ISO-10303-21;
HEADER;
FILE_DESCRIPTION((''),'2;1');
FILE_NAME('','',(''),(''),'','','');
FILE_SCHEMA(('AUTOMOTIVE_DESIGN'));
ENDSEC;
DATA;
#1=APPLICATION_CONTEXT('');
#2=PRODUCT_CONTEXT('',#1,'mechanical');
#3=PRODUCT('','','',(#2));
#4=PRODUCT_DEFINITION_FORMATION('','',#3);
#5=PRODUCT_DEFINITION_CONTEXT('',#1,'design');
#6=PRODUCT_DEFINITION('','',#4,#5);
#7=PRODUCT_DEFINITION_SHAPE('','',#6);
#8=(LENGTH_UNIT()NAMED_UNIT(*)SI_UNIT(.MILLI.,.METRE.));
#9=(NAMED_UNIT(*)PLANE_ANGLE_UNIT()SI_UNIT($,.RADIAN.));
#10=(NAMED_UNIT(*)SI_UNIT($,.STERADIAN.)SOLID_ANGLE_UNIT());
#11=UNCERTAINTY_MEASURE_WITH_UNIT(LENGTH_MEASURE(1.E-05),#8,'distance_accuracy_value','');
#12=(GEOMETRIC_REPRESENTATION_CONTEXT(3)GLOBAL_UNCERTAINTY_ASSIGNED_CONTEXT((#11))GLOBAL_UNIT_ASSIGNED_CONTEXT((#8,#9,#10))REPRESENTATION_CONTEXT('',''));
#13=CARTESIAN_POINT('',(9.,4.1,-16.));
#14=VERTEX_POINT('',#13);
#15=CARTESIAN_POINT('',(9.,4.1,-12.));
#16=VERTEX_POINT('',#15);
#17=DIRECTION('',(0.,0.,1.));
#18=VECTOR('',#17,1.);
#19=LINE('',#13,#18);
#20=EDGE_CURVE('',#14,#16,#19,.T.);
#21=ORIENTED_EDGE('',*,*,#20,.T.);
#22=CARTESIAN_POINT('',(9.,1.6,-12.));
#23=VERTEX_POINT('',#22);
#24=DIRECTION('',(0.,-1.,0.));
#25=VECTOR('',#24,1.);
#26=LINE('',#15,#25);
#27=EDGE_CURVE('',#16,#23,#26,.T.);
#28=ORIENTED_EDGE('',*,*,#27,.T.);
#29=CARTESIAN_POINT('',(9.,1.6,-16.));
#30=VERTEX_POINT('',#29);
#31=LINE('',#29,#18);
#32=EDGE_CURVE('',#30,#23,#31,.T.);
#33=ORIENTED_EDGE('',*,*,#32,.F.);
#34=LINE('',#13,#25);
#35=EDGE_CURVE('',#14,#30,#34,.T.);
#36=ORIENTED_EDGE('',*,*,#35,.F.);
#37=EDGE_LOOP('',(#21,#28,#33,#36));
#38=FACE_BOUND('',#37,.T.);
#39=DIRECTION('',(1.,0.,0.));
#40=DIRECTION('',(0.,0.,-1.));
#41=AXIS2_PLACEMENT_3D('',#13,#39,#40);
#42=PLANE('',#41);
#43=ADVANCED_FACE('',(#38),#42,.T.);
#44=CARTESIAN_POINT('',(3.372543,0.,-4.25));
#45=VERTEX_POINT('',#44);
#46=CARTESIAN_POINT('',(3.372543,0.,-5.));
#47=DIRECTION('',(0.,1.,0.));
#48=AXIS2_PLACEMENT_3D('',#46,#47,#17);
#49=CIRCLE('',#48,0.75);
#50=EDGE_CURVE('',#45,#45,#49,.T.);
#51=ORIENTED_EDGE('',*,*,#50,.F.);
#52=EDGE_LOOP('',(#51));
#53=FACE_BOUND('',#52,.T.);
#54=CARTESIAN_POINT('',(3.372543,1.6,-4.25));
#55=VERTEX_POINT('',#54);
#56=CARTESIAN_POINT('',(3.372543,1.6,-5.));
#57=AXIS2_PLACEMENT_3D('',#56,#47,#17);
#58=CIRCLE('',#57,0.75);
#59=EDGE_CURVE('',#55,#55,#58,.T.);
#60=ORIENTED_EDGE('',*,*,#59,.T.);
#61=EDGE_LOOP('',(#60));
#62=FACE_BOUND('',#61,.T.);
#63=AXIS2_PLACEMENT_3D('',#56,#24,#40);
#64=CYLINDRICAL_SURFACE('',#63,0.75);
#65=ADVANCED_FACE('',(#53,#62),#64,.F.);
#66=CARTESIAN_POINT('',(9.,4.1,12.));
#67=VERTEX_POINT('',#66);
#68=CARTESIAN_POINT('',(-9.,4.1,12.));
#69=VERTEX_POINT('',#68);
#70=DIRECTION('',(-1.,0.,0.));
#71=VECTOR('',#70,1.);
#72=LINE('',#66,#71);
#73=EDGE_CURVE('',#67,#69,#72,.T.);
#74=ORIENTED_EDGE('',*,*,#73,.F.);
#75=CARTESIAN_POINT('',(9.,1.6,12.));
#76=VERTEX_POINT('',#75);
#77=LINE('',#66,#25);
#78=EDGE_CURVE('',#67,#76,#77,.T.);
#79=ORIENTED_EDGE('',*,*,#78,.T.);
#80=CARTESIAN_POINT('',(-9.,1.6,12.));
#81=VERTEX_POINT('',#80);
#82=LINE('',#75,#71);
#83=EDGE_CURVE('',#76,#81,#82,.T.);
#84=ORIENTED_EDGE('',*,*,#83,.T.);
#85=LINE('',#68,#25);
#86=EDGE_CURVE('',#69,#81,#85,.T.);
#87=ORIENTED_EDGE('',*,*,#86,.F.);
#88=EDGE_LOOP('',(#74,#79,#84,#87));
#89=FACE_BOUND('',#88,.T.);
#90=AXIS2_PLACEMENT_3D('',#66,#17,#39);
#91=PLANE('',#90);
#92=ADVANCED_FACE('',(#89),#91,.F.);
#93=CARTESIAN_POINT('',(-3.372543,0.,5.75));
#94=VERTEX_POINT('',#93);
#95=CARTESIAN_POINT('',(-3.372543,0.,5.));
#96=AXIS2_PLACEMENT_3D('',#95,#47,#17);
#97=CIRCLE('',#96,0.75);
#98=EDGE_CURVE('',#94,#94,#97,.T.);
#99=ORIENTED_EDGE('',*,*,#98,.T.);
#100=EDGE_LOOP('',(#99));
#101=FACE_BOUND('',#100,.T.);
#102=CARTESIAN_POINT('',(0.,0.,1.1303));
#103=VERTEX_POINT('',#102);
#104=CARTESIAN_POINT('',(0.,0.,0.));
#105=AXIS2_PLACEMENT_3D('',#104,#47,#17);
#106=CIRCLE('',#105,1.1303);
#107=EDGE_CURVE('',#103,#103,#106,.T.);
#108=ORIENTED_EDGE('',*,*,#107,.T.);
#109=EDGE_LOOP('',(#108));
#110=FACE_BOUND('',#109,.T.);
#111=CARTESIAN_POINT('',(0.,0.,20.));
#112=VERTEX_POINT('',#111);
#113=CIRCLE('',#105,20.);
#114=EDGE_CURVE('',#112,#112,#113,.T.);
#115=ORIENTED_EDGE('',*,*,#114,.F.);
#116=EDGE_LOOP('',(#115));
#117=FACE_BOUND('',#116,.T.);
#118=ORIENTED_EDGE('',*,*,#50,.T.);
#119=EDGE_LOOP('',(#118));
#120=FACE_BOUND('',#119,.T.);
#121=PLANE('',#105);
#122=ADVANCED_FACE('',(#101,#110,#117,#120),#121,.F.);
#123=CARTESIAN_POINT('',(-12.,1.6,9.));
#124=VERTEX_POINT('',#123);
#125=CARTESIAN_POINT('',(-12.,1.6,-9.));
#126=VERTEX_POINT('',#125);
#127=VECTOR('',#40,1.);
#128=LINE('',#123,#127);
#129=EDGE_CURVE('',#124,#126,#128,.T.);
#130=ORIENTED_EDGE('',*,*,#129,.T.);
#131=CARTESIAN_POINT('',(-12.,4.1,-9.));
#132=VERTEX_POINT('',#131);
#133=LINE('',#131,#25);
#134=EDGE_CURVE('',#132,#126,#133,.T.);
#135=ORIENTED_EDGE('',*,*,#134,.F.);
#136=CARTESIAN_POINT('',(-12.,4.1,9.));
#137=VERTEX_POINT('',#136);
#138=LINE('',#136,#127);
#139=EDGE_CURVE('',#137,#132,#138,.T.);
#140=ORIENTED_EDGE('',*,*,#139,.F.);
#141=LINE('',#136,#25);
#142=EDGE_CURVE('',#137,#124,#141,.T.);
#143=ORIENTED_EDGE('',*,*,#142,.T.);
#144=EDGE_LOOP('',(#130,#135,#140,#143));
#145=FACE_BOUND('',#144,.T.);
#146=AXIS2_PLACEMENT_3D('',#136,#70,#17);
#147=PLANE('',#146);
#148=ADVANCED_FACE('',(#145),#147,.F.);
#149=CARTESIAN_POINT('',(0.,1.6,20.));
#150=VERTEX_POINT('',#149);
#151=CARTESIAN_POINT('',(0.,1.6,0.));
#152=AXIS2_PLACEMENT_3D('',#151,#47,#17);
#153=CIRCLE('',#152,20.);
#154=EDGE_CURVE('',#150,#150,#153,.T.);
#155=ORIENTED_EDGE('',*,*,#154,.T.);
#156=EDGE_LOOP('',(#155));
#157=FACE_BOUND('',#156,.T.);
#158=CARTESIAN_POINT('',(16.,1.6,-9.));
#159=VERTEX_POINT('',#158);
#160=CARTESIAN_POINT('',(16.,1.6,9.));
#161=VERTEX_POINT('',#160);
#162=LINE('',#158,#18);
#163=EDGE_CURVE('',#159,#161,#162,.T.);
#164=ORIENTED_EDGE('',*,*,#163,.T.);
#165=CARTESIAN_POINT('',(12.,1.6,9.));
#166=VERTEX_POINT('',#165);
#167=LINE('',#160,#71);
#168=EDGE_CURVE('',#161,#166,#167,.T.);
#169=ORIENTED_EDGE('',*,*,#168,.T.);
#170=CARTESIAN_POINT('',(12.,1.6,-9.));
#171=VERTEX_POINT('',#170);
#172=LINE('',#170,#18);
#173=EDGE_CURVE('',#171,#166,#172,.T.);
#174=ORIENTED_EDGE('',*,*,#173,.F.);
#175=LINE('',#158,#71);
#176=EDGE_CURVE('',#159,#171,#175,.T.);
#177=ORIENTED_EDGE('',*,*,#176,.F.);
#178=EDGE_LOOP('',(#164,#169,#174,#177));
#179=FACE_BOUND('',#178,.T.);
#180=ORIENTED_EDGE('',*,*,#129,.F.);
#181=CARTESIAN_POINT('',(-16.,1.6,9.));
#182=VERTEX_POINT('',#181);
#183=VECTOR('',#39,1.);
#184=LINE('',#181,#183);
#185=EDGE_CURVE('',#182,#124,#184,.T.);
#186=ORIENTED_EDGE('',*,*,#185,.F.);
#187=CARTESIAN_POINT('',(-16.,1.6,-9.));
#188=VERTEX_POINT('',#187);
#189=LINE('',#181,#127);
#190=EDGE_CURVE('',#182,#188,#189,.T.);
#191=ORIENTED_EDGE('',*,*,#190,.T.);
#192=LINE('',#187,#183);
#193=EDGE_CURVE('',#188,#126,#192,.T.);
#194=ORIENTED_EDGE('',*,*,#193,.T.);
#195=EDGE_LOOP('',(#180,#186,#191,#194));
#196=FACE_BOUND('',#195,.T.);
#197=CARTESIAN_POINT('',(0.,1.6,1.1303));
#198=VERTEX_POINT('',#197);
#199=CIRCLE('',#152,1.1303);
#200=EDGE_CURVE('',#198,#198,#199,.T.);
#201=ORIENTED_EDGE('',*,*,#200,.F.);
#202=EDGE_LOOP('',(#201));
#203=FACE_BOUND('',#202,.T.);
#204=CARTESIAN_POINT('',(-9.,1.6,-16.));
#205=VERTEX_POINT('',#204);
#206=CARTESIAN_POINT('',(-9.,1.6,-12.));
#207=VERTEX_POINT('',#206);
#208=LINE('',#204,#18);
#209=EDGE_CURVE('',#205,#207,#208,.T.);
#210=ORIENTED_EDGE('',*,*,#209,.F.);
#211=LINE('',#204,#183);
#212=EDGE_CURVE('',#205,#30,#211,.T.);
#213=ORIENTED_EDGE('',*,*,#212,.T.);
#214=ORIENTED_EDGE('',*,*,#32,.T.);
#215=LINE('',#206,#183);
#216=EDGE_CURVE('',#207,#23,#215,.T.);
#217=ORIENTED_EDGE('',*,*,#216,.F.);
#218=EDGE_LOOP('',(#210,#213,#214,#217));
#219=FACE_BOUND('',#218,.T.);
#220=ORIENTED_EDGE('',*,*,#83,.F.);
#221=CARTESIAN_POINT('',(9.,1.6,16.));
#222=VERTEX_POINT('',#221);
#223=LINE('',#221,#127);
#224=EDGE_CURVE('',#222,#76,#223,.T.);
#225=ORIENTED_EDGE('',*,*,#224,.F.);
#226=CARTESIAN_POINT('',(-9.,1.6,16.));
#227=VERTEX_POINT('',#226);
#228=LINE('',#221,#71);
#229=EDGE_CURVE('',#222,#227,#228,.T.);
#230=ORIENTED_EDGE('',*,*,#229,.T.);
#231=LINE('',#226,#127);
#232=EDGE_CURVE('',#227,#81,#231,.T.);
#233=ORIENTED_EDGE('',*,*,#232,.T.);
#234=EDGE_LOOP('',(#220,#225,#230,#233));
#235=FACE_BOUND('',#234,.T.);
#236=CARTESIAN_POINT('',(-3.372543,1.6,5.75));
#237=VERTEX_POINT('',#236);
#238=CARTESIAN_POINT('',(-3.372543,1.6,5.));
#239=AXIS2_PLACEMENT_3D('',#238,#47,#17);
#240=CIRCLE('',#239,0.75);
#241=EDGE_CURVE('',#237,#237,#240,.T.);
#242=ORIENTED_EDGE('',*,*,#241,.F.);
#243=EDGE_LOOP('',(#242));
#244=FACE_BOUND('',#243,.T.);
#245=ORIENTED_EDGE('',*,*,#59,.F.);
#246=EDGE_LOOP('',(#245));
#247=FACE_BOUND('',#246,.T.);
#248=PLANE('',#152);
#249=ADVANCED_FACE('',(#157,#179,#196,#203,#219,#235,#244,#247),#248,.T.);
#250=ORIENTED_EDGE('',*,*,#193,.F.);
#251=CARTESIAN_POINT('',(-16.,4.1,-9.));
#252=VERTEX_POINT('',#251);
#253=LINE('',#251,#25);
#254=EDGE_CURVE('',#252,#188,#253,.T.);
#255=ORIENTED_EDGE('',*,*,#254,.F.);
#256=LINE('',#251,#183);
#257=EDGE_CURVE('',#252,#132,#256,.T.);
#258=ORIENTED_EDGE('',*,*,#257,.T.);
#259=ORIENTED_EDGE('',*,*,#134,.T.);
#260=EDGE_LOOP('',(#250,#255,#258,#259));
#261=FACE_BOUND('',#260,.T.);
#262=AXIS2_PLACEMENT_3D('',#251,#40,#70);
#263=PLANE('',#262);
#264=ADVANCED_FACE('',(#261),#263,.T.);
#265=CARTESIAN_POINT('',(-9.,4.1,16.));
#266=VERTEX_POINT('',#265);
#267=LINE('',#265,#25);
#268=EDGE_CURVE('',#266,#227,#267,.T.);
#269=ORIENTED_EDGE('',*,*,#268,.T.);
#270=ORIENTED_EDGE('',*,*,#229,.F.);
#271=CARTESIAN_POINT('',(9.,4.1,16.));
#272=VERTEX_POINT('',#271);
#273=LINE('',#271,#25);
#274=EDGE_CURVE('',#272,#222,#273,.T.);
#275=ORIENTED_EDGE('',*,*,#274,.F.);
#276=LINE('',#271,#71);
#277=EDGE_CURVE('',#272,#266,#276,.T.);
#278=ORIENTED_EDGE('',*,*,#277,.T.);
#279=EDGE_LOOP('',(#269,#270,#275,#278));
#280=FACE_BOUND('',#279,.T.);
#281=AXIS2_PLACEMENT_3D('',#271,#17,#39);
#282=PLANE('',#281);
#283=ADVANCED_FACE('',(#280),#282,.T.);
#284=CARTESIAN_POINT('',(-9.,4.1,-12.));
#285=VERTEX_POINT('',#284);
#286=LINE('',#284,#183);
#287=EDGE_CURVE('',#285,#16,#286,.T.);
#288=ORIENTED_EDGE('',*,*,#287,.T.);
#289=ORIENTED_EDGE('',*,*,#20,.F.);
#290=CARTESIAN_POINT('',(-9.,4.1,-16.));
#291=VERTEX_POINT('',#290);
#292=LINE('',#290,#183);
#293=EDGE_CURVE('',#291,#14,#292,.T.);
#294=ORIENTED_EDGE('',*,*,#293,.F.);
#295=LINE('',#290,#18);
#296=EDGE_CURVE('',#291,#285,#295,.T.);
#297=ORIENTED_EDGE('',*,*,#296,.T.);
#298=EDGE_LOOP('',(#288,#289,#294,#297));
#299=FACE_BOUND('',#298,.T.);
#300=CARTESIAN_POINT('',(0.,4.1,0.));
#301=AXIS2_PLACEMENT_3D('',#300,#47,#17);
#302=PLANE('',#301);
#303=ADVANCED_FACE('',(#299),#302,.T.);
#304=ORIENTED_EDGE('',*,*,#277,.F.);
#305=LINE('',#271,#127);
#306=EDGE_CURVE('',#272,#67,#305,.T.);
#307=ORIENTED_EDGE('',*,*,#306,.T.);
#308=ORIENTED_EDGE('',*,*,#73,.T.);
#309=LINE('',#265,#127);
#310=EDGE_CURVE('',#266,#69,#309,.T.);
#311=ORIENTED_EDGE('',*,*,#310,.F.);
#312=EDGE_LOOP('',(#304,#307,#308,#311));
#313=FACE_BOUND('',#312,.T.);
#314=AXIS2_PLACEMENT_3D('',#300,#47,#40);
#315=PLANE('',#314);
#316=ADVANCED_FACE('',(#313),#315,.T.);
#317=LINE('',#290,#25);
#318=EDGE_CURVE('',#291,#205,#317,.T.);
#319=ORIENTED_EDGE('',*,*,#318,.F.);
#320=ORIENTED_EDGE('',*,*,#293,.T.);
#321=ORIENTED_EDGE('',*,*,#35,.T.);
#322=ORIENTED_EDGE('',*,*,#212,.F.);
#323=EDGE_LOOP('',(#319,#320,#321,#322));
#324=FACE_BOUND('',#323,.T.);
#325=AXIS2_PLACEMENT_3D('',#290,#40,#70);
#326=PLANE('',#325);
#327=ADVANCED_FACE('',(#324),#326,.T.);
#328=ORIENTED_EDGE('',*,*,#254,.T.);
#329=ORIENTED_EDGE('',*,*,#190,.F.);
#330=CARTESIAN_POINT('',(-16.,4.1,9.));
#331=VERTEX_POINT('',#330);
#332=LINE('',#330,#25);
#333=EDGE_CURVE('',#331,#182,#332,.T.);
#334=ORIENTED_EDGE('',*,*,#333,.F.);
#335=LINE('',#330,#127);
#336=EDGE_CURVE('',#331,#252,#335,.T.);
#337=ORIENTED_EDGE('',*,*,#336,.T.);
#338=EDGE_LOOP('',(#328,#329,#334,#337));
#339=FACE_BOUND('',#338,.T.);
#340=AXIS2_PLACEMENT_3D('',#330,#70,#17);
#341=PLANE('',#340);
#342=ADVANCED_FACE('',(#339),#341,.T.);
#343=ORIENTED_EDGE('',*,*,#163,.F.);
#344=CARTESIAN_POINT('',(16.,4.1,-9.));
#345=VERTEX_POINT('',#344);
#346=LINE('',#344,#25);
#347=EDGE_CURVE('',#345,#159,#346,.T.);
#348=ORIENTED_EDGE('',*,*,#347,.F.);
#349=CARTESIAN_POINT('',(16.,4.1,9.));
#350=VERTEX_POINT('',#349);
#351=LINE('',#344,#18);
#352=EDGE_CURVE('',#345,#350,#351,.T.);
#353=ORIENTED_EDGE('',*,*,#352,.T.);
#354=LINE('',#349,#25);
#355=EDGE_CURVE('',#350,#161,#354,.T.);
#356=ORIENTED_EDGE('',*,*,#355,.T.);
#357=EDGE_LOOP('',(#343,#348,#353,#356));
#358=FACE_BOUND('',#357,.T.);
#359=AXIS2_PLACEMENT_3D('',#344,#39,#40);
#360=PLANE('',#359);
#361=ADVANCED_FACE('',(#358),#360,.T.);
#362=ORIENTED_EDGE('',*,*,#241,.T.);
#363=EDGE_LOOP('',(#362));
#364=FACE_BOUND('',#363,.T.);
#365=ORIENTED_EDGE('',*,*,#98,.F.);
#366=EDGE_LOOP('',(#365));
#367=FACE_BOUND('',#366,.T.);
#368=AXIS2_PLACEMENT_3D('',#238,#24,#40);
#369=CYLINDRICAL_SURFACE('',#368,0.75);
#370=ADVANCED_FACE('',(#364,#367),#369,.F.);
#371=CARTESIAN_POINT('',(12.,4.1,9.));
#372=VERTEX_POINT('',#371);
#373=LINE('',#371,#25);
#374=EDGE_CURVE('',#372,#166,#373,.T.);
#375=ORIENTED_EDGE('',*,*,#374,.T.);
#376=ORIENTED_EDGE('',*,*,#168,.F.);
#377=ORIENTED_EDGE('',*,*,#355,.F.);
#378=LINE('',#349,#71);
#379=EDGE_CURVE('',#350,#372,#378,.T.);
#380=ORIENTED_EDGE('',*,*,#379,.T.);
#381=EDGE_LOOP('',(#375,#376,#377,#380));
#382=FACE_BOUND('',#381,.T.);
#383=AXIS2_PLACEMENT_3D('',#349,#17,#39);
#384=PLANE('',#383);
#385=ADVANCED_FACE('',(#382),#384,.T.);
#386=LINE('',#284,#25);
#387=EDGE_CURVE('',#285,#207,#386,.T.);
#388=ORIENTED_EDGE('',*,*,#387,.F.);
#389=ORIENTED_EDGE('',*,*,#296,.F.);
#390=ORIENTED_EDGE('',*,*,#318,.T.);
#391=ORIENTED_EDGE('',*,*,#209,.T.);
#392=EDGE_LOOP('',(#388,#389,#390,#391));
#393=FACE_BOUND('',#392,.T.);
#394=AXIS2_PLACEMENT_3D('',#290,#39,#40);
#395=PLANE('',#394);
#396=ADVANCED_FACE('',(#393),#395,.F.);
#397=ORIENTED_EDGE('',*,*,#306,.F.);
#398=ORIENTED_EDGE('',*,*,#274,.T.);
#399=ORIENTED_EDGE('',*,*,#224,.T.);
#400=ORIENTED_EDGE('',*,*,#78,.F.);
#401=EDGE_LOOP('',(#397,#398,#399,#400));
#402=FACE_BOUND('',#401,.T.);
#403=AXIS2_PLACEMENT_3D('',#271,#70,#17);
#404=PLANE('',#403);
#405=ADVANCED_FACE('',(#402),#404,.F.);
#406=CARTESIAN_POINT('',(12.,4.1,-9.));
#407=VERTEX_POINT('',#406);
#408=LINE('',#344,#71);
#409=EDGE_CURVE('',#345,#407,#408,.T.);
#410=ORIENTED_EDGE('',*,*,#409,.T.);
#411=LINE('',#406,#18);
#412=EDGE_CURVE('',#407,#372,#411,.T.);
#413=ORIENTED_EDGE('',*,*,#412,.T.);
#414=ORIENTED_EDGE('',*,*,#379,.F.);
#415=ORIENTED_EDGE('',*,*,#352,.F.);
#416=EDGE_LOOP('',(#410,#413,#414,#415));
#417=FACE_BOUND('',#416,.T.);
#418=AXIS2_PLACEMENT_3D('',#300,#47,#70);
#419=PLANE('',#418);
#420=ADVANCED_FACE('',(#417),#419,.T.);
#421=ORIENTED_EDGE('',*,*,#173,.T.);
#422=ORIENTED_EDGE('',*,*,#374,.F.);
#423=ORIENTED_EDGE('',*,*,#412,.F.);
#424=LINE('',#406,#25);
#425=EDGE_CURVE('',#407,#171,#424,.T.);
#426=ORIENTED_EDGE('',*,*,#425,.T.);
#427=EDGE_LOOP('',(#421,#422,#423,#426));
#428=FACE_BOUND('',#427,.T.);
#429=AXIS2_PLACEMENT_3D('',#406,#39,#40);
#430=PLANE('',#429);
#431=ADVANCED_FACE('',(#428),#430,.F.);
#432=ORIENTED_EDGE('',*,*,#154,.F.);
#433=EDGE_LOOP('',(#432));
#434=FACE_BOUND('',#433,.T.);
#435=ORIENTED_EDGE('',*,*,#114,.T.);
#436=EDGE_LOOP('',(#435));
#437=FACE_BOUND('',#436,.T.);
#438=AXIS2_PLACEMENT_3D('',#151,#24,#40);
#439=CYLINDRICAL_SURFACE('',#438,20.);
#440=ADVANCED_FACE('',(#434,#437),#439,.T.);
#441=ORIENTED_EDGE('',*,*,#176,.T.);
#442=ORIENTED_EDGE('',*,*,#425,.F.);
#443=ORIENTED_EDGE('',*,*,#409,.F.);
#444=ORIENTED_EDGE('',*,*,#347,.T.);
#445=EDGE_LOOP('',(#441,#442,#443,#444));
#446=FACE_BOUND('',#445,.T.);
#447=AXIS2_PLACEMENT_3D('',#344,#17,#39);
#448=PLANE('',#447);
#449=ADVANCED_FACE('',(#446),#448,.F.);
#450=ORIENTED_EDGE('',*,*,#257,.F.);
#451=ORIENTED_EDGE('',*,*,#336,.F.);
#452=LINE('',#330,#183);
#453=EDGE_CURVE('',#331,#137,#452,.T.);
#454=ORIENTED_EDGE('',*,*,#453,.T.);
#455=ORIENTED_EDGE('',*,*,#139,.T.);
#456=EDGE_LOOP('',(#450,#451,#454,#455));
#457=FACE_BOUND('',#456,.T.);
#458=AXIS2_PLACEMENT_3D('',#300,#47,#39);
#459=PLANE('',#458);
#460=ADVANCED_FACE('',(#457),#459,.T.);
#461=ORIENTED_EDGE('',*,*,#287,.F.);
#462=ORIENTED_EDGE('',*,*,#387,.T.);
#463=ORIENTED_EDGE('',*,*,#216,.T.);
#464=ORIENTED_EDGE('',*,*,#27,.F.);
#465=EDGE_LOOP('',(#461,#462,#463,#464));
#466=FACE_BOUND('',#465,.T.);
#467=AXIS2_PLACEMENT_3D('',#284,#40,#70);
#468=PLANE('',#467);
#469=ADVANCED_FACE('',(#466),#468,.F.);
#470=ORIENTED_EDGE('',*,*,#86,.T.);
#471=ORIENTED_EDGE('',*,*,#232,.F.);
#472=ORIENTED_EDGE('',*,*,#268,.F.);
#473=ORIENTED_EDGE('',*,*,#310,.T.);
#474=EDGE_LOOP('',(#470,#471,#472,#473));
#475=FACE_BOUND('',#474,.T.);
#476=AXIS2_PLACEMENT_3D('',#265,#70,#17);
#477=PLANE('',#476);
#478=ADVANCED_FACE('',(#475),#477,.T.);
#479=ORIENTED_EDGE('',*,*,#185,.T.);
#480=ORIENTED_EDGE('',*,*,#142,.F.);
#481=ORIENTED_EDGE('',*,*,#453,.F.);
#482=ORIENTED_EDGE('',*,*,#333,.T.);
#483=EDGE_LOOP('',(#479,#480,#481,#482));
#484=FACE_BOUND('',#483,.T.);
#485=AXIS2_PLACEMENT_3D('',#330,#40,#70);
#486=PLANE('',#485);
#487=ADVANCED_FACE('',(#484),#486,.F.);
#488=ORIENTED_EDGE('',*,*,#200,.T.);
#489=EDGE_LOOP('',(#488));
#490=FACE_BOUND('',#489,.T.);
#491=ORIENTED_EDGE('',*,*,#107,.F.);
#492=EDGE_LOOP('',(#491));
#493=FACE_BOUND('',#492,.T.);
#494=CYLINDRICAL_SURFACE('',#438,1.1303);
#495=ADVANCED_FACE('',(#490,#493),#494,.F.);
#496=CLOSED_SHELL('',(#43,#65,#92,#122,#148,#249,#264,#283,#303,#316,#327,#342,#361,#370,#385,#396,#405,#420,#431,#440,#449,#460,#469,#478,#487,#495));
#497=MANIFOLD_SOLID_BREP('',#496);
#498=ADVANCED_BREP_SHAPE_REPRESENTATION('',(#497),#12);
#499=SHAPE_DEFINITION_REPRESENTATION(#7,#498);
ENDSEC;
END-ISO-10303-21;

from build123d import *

# Parameters (mm, degrees)
SKETCH1_R                    = 20
SKETCH1_R_2                  = 1.1303
SKETCH1_R_3                  = 0.75
PCB_DEPTH                    = 1.6
SKETCH2_W                    = 18
SKETCH2_H                    = 4
HIROSE_CONNECTOR_STACK_DEPTH = 2.5
CIRPATTERN1_COUNT            = 4


with BuildPart() as part:
    # Sketch1 → PCB (new body)
    with BuildSketch(Plane(origin=(0, 0, 0), x_dir=(1, 0, 0), z_dir=(0, 1, 0))):
        with Locations(Location((0, 0, 0), (0, 0, 270))):
            Circle(SKETCH1_R)
        with Locations(Location((0, 0, 0), (0, 0, 270))):
            Circle(SKETCH1_R_2, mode=Mode.SUBTRACT)
        with Locations(Location((3.372542584, 5, 0), (0, 0, 270))):
            Circle(SKETCH1_R_3, mode=Mode.SUBTRACT)
        with Locations(Location((-3.372542584, -5, 0), (0, 0, 270))):
            Circle(SKETCH1_R_3, mode=Mode.SUBTRACT)
    extrude(amount=PCB_DEPTH)

    # Sketch2 → Hirose Connector Stack (add)
    with BuildSketch(Plane(origin=(0, 1.6, 0), x_dir=(1, 0, 0), z_dir=(0, 1, 0))):
        with Locations((0, 14)):
            Rectangle(SKETCH2_W, SKETCH2_H)
    hirose_connector_stack = extrude(amount=HIROSE_CONNECTOR_STACK_DEPTH)

    # CirPattern1: Hirose Connector Stack ×4 about axis
    cirpattern1_axis = Axis((0, 0, 0), (0, 1, 0))
    for i in range(1, CIRPATTERN1_COUNT):
        add(hirose_connector_stack.rotate(cirpattern1_axis, i * 360 / CIRPATTERN1_COUNT))


solid = part.part
